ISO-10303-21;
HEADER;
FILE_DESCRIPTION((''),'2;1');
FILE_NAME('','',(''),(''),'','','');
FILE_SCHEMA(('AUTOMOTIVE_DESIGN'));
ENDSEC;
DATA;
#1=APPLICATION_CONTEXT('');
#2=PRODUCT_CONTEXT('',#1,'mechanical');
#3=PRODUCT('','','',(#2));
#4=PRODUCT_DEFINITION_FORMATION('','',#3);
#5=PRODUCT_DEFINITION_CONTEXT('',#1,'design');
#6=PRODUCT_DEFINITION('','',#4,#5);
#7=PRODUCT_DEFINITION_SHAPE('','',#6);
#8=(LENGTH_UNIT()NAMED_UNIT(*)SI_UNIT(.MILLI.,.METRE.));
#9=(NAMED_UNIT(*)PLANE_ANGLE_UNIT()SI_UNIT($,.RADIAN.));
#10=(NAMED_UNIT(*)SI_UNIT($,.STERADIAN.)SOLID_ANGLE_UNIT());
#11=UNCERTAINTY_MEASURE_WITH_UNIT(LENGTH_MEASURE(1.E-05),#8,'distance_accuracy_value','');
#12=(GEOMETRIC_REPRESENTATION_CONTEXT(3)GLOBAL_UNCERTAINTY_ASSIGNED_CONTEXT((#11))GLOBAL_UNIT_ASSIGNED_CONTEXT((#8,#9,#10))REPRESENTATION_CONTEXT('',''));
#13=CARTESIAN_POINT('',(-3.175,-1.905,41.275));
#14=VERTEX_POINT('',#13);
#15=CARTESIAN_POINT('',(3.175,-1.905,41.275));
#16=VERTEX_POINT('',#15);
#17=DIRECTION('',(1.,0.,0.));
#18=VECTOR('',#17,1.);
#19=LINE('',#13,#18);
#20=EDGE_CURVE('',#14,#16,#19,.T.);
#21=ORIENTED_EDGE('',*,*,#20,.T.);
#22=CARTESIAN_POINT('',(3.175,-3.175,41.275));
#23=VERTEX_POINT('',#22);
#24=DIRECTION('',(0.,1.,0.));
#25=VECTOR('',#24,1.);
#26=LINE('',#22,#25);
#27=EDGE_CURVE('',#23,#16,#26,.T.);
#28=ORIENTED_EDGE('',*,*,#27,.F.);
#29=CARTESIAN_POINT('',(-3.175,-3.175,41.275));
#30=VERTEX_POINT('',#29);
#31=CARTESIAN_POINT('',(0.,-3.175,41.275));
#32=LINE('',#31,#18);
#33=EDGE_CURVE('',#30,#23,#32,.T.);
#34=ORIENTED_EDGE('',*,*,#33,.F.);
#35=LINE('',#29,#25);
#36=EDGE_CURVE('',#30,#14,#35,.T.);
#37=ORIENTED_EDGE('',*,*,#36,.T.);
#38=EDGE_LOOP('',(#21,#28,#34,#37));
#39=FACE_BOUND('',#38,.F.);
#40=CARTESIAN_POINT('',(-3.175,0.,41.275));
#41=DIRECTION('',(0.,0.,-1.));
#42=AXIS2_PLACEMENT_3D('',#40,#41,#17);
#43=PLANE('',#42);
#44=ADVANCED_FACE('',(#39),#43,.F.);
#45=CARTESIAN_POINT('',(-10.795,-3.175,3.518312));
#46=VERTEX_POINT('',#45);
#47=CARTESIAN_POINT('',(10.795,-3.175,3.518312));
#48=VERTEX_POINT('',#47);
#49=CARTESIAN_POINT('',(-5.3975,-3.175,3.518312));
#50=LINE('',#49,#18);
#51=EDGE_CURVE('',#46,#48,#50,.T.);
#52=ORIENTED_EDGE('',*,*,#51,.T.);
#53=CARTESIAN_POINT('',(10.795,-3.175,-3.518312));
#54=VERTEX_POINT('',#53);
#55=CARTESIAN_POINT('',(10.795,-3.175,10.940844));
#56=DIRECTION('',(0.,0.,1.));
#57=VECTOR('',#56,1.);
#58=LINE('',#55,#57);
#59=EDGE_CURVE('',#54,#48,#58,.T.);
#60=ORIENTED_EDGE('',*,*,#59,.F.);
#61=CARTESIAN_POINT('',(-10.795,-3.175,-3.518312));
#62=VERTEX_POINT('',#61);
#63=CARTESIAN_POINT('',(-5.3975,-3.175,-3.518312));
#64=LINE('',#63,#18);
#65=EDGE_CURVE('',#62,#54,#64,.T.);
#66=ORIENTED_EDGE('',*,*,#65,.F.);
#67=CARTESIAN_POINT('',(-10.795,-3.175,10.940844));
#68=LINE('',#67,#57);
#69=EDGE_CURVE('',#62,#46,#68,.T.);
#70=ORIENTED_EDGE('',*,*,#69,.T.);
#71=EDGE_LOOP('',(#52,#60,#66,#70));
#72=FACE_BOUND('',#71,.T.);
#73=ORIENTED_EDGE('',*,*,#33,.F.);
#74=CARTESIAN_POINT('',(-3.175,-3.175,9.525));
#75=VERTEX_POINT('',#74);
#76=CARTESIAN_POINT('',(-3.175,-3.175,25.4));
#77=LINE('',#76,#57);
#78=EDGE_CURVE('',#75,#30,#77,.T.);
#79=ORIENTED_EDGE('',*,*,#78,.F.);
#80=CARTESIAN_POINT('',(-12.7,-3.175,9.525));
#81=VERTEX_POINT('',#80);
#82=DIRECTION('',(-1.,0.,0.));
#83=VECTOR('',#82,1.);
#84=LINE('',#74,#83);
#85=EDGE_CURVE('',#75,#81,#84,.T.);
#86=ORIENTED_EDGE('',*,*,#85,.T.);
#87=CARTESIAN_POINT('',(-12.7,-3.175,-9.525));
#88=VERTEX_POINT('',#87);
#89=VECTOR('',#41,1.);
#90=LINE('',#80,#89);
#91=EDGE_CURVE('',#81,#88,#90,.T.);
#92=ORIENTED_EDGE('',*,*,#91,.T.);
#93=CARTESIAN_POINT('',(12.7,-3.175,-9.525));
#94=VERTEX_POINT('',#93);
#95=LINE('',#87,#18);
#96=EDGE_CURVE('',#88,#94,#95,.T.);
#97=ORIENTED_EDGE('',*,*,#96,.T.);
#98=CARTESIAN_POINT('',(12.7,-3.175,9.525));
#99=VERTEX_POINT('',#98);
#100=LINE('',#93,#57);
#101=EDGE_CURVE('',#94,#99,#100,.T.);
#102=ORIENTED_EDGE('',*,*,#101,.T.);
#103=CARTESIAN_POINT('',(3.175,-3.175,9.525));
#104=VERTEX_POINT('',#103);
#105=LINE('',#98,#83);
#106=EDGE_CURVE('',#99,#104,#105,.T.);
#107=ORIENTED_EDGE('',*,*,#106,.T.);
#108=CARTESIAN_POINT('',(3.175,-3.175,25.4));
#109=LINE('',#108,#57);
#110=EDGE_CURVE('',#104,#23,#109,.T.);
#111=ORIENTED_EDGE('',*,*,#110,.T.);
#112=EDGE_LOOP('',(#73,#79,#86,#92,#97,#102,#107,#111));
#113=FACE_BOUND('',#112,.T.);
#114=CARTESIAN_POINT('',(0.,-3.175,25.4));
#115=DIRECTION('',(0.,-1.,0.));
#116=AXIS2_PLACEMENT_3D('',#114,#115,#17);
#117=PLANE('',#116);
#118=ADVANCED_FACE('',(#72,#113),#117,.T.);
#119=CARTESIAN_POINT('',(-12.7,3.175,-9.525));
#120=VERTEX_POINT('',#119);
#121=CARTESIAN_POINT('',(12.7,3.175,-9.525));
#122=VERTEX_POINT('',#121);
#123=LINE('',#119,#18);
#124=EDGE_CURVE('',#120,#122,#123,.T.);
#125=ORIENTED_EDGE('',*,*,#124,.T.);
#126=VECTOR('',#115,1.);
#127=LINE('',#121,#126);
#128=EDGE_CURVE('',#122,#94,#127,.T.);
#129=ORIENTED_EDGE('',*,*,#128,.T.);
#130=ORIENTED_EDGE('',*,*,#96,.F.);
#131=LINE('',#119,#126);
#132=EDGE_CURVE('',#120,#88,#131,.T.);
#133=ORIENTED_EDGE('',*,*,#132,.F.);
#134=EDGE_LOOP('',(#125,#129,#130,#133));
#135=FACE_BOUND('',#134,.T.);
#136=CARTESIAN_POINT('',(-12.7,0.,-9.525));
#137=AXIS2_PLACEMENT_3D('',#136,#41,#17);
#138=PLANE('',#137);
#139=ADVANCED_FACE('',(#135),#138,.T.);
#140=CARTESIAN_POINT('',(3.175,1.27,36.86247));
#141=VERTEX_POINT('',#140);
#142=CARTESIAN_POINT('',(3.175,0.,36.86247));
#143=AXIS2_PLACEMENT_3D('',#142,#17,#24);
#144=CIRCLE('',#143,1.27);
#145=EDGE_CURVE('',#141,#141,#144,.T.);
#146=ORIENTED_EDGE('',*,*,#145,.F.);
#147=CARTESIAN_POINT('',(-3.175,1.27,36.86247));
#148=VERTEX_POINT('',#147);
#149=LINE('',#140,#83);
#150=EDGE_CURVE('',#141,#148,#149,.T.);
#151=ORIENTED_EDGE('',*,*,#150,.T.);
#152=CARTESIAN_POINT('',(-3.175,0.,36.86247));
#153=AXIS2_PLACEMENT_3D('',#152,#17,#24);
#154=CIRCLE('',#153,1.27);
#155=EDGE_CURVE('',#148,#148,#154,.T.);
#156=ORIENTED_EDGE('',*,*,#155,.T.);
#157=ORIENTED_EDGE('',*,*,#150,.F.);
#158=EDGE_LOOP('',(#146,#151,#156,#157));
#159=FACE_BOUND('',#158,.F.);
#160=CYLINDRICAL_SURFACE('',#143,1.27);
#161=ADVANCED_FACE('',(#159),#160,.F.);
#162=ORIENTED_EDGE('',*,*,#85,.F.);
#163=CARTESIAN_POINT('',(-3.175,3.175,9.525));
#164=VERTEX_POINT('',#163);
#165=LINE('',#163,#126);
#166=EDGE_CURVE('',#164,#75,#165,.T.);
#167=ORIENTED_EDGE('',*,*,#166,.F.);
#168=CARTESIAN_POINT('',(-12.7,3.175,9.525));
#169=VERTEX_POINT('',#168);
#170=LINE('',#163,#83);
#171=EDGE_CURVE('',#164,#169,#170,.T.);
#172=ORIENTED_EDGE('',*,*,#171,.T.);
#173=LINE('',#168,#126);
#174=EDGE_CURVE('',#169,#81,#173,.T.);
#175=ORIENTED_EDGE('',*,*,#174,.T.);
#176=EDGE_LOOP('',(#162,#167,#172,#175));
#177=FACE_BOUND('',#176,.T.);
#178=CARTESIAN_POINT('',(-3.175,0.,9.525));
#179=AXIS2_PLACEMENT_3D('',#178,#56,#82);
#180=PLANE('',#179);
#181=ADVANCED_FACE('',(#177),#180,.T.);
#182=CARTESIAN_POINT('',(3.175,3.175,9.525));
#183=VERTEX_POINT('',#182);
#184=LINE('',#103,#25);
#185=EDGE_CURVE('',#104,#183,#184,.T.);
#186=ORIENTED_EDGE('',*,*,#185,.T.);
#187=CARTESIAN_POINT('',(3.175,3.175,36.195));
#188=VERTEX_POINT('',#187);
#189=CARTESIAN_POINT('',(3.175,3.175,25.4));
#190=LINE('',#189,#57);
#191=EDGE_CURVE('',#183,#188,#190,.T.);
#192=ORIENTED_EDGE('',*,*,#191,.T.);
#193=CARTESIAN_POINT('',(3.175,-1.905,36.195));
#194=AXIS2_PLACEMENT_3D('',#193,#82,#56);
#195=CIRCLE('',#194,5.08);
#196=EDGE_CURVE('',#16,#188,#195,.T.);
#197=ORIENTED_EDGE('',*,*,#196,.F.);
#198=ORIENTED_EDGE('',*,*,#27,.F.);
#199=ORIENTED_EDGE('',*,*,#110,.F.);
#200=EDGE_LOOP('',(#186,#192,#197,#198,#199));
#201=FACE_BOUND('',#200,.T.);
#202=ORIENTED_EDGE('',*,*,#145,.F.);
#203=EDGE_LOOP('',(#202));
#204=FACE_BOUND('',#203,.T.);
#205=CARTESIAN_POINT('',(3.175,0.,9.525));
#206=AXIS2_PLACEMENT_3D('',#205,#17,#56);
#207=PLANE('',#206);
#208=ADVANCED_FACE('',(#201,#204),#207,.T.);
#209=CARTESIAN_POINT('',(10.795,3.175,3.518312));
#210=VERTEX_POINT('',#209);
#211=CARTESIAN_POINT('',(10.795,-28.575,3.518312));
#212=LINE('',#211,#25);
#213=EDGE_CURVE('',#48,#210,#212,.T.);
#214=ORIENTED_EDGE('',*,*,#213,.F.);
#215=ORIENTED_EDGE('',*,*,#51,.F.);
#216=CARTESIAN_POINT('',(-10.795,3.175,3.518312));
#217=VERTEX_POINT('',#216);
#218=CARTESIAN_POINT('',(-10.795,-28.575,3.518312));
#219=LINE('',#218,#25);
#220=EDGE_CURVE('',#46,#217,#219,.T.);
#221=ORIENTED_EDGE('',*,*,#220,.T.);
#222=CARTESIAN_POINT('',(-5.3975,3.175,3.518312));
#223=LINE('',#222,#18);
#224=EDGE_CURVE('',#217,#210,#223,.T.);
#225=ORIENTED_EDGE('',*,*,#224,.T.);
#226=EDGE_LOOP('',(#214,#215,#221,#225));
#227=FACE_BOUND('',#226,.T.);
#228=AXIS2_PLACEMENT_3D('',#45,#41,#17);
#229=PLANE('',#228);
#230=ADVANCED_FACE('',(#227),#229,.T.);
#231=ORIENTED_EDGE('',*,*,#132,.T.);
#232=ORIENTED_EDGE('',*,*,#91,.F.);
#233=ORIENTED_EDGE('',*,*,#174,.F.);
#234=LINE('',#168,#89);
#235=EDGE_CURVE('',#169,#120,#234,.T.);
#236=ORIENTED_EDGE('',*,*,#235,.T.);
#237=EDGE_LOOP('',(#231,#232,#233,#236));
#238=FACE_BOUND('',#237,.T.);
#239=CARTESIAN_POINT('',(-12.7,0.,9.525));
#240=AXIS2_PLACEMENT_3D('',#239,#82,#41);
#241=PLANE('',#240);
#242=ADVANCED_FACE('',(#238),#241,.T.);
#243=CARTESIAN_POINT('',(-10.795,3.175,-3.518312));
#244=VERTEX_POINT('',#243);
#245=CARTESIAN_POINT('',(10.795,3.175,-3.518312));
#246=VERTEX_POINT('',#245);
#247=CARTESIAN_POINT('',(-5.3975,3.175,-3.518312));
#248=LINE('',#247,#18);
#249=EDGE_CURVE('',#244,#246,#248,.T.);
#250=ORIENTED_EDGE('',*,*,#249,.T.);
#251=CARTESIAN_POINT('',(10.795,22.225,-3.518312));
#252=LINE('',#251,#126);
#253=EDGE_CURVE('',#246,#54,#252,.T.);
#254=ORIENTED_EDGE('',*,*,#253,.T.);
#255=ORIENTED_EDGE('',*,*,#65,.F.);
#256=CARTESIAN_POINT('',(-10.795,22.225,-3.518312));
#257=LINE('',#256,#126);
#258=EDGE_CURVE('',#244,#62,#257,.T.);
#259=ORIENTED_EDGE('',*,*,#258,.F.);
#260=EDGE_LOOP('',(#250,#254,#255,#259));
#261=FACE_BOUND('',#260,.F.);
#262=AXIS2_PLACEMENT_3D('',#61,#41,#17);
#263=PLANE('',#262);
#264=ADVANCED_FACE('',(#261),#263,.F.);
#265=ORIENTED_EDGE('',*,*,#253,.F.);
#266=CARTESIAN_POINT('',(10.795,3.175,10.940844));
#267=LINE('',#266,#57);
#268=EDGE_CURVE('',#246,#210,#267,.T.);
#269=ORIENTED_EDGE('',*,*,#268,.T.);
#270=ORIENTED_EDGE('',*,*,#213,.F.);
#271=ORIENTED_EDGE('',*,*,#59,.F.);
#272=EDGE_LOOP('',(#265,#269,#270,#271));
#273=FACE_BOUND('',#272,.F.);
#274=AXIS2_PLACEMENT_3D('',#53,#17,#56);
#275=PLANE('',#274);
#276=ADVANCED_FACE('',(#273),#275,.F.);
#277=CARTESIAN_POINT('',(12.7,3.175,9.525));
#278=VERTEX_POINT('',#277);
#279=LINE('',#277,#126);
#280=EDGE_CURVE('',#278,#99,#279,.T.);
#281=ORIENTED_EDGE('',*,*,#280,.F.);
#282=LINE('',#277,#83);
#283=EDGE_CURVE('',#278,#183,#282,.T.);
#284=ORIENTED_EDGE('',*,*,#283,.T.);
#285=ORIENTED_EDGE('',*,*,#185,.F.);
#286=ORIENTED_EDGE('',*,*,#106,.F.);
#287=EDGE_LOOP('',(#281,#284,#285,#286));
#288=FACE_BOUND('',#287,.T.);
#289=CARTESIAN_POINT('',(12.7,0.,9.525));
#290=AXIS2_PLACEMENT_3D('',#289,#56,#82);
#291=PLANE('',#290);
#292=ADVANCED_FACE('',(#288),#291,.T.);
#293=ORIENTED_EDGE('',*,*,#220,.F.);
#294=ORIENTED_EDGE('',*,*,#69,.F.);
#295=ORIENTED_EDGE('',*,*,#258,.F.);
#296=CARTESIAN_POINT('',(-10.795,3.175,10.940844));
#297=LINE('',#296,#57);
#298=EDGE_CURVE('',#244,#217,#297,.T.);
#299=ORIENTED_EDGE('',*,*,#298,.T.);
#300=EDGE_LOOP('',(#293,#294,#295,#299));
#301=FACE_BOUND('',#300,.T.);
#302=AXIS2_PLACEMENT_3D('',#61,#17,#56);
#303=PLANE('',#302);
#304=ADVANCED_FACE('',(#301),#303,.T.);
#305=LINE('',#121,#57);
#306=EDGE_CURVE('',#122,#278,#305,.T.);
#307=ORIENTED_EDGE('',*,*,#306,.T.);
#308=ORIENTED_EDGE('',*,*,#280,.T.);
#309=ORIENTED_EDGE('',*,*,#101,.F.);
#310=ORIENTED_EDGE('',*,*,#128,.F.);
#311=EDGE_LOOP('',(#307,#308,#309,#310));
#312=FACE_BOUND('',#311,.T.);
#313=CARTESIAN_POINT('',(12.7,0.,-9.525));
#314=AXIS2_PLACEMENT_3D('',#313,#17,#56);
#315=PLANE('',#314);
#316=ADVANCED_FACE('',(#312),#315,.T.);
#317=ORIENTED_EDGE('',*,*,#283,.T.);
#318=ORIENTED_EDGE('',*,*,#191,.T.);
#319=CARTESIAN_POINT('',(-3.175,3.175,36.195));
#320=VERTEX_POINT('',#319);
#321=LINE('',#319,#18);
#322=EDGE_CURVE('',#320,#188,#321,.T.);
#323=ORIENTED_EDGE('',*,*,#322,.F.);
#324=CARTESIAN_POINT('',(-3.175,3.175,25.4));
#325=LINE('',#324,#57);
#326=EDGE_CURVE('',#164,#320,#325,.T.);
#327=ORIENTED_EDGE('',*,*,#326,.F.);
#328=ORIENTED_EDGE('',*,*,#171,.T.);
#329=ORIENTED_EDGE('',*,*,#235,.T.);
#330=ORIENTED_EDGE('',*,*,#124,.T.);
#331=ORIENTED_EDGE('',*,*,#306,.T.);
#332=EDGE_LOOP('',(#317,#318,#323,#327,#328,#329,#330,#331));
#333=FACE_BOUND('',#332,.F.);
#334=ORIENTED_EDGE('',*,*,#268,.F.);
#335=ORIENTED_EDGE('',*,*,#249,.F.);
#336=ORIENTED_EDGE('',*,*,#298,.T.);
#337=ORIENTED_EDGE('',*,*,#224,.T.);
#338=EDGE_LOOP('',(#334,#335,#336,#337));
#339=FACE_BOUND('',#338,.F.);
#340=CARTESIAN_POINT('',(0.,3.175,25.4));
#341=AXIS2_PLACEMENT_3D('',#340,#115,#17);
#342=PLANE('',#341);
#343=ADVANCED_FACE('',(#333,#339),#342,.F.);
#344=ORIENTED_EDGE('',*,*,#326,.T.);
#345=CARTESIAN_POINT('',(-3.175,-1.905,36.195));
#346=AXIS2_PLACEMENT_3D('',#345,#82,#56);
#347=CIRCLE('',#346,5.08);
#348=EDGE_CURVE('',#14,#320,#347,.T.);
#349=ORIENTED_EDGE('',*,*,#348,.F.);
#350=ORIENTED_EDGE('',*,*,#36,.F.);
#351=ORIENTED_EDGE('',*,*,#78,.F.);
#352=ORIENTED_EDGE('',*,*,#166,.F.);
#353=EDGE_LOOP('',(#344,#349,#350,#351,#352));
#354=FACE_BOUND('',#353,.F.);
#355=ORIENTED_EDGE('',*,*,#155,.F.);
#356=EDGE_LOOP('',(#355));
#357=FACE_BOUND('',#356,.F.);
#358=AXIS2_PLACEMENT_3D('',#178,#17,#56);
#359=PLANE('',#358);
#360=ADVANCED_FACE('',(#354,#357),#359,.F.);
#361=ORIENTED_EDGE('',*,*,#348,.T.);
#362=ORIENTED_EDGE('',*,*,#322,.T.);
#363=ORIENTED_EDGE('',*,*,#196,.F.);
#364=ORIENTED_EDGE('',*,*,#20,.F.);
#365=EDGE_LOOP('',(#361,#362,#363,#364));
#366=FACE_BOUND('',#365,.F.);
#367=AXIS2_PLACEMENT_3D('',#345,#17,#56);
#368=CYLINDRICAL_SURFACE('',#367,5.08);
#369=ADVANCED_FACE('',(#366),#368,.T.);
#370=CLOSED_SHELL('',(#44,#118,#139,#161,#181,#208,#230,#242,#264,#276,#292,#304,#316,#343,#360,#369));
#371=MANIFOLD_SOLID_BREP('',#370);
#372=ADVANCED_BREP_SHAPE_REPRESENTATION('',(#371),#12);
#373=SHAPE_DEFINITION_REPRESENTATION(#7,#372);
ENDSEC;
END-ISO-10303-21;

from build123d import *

# Parameters (mm, degrees)
F0_W     = 6.35
F0_H     = 31.75
F1_DEPTH = 3.175
F2_R     = 5.08
F3_R     = 1.27
F4_DEPTH = 53.34
F5_W     = 21.59
F5_H     = 7.036624
F6_DEPTH = 25.4


with BuildPart() as f1:
    # F0 (on Front) → F1 (new body, symmetric)
    with BuildSketch(Plane.XZ):
        with Locations((0, 25.4)):
            Rectangle(F0_W, F0_H)
        Polygon((3.175, 9.525), (-3.175, 9.525), (-12.7, 9.525), (-12.7, -9.525), (12.7, -9.525), (12.7, 9.525), align=None)
    extrude(amount=F1_DEPTH, both=True)

    # F2
    f2_edges = [f1.edges().sort_by_distance(p)[0] for p in [
        (0, 3.175, 41.275),
    ]]
    fillet(f2_edges, radius=F2_R)

    # F3 (on face) → F4 (cut)
    with BuildSketch(Plane.YZ.offset(3.175)):
        with Locations((0, 36.86247)):
            Circle(F3_R)
    extrude(amount=-F4_DEPTH, mode=Mode.SUBTRACT)

    # F5 (on face) → F6 (cut, symmetric)
    with BuildSketch(Plane.XZ.offset(3.175)):
        Rectangle(F5_W, F5_H)
    extrude(amount=F6_DEPTH, both=True, mode=Mode.SUBTRACT)


solid = f1.part
